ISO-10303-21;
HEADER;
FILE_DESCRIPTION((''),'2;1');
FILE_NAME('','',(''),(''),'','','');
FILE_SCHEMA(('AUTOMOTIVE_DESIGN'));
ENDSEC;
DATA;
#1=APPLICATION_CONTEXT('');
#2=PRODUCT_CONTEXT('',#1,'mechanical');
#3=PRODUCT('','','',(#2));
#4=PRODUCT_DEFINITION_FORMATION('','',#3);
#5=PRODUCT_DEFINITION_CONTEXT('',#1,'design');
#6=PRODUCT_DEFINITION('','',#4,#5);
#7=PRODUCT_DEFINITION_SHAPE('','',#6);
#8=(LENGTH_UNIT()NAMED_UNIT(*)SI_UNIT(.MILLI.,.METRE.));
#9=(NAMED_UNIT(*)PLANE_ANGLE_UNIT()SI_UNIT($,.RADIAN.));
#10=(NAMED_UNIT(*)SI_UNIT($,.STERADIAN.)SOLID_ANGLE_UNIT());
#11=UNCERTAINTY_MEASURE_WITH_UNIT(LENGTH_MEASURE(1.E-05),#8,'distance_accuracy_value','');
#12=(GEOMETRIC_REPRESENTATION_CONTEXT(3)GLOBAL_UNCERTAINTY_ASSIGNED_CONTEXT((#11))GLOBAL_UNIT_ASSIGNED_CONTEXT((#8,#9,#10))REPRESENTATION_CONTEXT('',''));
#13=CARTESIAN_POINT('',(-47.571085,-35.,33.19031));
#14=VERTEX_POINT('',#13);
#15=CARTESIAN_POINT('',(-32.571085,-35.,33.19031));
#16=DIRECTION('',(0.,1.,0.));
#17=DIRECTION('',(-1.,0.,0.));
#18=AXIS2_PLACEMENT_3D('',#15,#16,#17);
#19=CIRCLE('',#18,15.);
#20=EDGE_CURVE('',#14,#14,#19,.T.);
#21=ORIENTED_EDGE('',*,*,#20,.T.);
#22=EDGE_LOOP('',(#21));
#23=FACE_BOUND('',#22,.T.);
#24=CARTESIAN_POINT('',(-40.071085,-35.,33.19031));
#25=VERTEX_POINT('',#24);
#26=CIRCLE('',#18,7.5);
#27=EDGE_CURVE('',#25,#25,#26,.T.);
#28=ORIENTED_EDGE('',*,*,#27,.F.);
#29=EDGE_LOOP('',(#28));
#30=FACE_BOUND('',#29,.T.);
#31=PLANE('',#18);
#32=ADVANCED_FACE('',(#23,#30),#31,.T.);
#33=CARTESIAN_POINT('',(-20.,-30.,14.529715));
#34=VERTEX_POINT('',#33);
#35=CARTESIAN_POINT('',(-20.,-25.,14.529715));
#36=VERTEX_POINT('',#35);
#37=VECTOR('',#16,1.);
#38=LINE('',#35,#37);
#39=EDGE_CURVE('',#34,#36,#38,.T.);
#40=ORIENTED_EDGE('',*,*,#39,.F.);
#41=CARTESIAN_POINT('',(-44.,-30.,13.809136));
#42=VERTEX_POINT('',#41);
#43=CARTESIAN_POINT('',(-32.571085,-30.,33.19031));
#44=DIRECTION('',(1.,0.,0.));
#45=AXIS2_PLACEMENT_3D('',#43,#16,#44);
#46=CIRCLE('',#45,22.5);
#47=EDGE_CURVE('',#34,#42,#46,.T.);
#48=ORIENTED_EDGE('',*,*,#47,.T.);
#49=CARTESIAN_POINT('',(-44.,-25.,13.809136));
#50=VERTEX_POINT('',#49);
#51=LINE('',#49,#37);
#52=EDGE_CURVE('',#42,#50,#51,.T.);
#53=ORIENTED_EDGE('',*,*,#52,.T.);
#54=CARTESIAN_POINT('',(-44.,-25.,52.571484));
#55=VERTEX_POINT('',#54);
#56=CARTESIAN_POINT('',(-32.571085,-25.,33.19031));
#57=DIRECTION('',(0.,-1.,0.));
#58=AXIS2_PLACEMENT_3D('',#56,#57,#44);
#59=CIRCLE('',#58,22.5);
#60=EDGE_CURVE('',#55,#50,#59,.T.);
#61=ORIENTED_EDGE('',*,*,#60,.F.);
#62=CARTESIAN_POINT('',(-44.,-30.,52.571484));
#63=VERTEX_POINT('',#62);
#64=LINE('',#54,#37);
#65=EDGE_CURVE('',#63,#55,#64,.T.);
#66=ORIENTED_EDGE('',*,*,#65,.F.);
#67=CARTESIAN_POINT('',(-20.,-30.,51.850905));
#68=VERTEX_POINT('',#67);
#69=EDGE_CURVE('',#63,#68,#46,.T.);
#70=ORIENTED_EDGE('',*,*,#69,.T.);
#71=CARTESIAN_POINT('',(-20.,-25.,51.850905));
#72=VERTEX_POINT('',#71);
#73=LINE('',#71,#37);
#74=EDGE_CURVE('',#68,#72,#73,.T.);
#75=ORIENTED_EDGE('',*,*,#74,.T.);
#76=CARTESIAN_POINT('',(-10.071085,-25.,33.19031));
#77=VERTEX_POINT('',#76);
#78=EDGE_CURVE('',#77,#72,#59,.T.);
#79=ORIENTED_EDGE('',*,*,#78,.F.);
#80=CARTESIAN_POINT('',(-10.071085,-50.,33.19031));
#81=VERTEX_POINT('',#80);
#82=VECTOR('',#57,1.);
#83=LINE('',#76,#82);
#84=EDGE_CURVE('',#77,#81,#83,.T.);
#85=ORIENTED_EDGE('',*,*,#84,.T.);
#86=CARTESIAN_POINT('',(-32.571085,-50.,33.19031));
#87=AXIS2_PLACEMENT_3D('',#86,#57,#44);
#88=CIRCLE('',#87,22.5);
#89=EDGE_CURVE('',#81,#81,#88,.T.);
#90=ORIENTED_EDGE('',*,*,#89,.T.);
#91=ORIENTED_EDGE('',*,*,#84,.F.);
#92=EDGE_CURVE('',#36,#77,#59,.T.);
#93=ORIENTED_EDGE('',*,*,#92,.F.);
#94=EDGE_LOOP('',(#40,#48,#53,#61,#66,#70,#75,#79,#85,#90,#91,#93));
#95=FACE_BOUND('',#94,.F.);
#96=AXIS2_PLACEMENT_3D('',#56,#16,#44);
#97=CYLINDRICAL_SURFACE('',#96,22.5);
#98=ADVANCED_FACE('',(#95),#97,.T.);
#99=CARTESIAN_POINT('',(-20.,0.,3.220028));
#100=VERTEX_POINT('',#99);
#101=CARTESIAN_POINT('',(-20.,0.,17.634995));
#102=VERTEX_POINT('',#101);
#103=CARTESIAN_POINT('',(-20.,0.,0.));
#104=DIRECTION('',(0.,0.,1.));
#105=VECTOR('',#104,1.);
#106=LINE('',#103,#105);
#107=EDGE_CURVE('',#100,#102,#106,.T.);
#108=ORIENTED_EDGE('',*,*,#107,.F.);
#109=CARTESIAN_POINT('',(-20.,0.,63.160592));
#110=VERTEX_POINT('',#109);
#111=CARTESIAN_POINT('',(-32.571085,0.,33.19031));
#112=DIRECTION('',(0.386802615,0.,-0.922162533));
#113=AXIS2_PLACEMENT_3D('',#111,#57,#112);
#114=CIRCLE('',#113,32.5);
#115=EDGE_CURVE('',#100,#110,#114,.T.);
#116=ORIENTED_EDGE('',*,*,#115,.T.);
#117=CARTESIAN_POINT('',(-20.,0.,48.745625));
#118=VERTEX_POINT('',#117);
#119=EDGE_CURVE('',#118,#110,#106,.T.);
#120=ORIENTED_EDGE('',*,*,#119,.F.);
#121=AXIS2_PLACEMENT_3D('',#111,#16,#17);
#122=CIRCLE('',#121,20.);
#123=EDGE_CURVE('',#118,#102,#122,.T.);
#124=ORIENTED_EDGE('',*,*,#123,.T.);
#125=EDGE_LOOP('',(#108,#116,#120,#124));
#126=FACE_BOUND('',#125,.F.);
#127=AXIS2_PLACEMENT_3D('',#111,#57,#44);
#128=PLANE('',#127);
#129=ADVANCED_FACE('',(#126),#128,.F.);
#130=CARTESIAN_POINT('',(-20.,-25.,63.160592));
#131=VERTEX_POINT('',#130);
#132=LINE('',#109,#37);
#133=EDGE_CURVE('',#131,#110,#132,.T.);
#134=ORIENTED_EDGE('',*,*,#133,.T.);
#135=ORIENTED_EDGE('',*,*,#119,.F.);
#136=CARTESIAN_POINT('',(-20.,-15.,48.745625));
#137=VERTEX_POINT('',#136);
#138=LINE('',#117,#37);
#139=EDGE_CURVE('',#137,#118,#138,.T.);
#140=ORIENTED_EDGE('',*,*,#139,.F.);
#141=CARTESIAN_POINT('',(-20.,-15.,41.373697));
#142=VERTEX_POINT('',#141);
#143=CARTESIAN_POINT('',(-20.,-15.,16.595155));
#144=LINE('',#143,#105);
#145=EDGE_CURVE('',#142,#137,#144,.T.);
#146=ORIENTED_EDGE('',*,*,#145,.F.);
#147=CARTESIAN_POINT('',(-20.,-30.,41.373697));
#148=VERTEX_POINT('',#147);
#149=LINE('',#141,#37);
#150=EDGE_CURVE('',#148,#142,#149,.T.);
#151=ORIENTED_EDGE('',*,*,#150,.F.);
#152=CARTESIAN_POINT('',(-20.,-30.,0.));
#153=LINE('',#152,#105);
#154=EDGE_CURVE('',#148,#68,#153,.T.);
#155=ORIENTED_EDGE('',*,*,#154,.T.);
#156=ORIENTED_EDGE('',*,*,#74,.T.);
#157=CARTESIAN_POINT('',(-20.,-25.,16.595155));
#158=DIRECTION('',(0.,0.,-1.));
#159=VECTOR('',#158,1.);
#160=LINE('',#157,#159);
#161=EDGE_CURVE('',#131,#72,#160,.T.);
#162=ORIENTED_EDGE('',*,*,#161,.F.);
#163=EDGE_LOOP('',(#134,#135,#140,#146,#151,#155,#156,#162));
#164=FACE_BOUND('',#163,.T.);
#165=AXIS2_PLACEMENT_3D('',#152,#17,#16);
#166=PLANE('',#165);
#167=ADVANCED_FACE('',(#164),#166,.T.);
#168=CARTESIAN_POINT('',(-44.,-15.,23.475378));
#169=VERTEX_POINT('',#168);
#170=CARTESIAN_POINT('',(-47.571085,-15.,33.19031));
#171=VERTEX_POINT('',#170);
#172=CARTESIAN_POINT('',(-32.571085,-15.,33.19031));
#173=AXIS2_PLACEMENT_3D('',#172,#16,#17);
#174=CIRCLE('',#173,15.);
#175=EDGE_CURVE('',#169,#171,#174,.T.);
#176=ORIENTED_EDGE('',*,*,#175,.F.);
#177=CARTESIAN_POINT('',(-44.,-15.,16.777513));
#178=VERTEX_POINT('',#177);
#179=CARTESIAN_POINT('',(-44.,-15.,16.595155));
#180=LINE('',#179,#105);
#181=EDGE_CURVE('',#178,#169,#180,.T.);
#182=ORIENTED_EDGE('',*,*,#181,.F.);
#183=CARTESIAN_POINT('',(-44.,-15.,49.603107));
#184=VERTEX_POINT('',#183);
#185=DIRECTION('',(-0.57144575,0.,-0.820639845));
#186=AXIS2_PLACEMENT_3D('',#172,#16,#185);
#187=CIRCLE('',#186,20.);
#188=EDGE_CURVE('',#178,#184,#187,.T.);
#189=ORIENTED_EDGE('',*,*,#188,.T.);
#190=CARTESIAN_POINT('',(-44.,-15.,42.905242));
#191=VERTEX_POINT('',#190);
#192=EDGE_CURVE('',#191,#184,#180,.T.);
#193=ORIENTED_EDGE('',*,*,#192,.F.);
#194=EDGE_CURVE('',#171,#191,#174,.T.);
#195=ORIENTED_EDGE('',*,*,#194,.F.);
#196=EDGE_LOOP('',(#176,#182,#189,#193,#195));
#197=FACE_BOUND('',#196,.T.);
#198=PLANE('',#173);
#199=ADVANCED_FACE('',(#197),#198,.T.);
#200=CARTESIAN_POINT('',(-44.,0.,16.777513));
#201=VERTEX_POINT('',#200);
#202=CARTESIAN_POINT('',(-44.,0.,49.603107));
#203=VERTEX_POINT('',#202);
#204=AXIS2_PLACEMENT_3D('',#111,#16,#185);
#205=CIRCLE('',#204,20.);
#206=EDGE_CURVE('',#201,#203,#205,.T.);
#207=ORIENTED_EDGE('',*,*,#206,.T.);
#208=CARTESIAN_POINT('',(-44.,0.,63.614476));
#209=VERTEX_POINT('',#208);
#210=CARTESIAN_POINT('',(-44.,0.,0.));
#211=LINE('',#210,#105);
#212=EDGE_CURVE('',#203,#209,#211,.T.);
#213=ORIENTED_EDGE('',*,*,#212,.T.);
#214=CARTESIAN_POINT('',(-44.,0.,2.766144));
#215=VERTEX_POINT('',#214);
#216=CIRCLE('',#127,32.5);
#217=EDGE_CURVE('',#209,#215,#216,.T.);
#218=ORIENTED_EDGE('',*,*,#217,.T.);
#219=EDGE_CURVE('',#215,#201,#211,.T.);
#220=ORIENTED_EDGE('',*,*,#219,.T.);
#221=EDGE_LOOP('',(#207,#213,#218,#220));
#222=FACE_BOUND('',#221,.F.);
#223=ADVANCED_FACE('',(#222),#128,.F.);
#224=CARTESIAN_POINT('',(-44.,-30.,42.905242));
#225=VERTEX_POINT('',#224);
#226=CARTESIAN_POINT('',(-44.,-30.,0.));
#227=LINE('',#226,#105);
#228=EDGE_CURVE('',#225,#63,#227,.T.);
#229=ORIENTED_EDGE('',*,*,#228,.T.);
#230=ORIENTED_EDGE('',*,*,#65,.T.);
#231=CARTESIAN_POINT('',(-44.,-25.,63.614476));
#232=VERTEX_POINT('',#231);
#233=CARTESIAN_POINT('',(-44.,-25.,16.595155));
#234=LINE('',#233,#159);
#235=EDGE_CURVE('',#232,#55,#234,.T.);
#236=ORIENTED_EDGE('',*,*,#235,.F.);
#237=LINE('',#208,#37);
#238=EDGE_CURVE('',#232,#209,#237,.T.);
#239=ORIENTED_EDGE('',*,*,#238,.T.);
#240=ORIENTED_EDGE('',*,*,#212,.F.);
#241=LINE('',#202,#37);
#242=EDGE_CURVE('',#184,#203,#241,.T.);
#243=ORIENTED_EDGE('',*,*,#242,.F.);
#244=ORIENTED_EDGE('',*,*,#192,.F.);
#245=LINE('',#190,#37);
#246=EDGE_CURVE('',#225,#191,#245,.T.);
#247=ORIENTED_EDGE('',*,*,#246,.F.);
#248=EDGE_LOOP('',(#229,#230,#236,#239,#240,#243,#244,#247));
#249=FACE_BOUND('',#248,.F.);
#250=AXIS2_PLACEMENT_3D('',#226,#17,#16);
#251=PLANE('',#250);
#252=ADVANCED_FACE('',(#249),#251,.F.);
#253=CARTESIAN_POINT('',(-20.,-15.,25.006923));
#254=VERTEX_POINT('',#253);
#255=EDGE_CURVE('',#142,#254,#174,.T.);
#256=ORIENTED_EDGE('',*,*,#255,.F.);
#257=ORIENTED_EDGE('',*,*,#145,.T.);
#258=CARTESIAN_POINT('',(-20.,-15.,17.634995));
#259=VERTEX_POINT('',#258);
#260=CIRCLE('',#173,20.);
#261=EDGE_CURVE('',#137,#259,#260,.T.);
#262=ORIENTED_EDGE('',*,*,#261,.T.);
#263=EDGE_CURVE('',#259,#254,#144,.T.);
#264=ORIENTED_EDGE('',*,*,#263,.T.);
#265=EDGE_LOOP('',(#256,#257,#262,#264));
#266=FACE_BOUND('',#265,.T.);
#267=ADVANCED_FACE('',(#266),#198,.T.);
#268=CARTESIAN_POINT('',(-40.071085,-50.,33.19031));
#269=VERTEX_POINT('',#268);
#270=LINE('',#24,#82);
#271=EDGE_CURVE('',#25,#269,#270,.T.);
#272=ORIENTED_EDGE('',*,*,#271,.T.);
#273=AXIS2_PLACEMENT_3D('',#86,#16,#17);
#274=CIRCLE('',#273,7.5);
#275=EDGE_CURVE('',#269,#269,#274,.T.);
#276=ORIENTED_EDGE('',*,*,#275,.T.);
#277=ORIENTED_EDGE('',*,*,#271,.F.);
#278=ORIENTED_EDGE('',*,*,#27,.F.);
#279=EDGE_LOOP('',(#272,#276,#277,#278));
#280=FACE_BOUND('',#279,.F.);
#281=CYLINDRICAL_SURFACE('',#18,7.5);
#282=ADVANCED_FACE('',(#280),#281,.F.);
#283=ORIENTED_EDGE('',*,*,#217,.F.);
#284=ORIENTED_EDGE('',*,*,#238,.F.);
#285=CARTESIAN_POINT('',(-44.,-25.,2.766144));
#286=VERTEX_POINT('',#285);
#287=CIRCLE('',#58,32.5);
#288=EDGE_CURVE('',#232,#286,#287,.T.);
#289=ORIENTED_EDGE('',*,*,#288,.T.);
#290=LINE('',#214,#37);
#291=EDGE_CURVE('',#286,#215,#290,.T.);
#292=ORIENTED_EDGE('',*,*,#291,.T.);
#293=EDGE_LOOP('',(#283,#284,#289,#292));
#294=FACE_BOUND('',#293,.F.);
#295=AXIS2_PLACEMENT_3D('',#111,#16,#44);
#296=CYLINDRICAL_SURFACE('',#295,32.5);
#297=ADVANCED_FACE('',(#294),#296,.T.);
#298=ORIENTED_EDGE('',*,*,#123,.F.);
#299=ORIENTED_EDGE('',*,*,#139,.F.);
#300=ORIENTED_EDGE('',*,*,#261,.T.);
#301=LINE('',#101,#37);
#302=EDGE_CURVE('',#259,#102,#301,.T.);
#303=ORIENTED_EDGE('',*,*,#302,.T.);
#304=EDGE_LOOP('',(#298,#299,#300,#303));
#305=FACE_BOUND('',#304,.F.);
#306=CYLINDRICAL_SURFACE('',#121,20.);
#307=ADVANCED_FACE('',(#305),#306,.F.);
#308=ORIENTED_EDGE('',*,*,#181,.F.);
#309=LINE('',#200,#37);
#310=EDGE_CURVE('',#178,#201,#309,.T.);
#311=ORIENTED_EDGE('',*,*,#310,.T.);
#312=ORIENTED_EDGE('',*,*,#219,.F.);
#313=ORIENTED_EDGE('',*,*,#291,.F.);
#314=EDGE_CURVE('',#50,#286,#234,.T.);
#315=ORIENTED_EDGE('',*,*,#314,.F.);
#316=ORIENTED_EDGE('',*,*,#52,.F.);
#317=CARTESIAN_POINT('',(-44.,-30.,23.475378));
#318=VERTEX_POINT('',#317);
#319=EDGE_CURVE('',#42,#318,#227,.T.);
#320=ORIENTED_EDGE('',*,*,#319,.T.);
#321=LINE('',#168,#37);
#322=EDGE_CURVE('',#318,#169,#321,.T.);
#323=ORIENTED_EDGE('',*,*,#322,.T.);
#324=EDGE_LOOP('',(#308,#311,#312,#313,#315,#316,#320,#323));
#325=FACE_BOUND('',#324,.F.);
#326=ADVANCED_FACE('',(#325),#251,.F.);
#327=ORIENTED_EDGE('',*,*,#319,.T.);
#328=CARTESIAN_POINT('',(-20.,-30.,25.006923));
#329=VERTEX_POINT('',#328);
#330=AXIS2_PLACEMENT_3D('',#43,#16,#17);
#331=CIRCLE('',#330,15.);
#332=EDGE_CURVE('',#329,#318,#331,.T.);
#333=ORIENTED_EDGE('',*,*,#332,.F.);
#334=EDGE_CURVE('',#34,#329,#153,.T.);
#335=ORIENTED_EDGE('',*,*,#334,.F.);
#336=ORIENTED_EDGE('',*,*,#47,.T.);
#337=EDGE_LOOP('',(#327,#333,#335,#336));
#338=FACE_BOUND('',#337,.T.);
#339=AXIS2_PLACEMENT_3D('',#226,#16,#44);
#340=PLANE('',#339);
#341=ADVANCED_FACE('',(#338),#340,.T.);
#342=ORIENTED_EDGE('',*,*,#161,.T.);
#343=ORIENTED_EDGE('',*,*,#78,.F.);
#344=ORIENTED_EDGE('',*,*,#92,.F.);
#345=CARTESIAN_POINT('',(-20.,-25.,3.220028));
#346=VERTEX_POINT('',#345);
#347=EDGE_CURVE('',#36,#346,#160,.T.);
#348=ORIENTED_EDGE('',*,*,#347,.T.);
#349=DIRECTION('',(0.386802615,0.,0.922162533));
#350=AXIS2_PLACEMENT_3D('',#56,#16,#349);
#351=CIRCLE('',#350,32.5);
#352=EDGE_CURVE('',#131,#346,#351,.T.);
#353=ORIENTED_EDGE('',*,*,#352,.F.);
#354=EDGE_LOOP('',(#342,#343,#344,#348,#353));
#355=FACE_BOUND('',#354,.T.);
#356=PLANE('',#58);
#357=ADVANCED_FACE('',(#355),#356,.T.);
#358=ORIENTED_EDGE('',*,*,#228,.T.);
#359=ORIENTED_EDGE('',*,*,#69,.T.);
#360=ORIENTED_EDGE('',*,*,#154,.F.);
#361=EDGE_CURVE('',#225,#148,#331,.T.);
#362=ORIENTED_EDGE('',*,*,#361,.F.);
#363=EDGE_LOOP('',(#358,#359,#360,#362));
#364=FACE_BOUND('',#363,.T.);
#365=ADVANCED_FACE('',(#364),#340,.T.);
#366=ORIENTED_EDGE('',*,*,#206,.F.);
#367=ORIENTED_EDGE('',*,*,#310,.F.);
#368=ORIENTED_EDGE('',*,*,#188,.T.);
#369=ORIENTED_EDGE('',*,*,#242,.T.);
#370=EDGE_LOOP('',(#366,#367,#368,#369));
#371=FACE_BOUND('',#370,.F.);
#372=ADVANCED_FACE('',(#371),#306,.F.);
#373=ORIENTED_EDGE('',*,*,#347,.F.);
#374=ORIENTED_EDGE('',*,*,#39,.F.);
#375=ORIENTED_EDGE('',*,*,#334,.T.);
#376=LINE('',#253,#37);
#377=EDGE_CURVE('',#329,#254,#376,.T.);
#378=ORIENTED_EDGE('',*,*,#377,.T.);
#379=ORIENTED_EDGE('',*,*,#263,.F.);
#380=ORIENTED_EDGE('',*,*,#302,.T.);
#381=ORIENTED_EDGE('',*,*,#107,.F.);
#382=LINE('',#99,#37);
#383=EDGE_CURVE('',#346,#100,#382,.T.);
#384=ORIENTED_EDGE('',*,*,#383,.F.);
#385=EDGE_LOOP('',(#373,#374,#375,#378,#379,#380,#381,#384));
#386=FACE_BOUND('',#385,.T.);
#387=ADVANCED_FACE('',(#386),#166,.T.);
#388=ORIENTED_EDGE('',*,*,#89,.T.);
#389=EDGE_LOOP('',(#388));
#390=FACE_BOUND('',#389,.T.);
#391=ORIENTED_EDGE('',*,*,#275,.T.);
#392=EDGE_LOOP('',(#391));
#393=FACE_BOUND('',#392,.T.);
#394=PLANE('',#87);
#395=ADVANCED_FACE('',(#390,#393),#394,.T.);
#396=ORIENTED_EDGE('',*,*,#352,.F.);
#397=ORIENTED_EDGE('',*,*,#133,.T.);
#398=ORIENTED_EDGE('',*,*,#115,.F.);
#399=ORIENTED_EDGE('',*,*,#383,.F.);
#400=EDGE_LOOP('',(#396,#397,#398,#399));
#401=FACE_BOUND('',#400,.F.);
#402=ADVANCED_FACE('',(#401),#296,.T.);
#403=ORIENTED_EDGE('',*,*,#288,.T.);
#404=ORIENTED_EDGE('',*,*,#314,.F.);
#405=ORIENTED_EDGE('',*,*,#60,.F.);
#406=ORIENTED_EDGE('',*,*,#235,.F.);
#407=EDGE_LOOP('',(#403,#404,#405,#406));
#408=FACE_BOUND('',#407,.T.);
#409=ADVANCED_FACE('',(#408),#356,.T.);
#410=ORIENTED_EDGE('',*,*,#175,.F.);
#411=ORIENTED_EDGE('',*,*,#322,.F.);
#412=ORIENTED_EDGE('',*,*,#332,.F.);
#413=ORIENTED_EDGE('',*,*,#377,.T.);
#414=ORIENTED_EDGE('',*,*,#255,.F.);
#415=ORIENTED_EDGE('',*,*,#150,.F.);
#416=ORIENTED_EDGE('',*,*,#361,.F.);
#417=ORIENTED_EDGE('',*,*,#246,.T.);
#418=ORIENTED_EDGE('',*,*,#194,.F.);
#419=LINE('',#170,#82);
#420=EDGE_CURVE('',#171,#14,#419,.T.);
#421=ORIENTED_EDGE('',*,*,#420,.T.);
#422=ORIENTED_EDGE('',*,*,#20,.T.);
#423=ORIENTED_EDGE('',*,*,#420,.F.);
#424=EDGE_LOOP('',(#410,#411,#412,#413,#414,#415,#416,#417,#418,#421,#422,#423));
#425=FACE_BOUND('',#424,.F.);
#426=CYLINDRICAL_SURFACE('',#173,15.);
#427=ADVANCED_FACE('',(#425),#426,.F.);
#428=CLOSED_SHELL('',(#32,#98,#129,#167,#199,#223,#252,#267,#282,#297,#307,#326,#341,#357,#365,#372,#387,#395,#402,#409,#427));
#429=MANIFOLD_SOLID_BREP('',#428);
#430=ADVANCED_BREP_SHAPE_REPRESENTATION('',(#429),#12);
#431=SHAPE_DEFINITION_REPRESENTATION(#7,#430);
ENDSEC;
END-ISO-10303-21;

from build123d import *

# Parameters (mm, degrees)
F0_R      = 32.5
F1_DEPTH  = 25
F2_R      = 22.5
F3_DEPTH  = 25
F4_R      = 20
F5_DEPTH  = 15
F6_R      = 15
F7_DEPTH  = 20
F9_W      = 24
F9_H      = 30
F10_DEPTH = 100
F8_R      = 7.5
F12_DEPTH = 25


with BuildPart() as f1:
    # F0 (on Front) → F1 (new body)
    with BuildSketch(Plane.XZ):
        with Locations((-32.571085, 33.19031)):
            Circle(F0_R)
    extrude(amount=F1_DEPTH)

    # F2 (on face) → F3 (join)
    with BuildSketch(Plane.XZ.offset(25)):
        with Locations((-32.571085, 33.19031)):
            Circle(F2_R)
    extrude(amount=F3_DEPTH)

    # F4 (on face) → F5 (cut)
    with BuildSketch(Plane(origin=(0, 0, 0), x_dir=(-1, 0, 0), z_dir=(0, 1, 0))):
        with Locations((32.571085, 33.19031)):
            Circle(F4_R)
    extrude(amount=-F5_DEPTH, mode=Mode.SUBTRACT)

    # F6 (on face) → F7 (cut)
    with BuildSketch(Plane(origin=(0, -15, 0), x_dir=(-1, 0, 0), z_dir=(0, 1, 0))):
        with Locations((32.571085, 33.19031)):
            Circle(F6_R)
    extrude(amount=-F7_DEPTH, mode=Mode.SUBTRACT)

    # F9 (on Top) → F10 (cut)
    with BuildSketch(Plane.XY):
        with Locations((-32, -15)):
            Rectangle(F9_W, F9_H)
    extrude(amount=F10_DEPTH, mode=Mode.SUBTRACT)

    # F8 (on face) → F12 (cut)
    with BuildSketch(Plane(origin=(0, -35, 0), x_dir=(-1, 0, 0), z_dir=(0, 1, 0))):
        with Locations((32.571085, 33.19031)):
            Circle(F8_R)
    extrude(amount=-F12_DEPTH, mode=Mode.SUBTRACT)


solid = f1.part
